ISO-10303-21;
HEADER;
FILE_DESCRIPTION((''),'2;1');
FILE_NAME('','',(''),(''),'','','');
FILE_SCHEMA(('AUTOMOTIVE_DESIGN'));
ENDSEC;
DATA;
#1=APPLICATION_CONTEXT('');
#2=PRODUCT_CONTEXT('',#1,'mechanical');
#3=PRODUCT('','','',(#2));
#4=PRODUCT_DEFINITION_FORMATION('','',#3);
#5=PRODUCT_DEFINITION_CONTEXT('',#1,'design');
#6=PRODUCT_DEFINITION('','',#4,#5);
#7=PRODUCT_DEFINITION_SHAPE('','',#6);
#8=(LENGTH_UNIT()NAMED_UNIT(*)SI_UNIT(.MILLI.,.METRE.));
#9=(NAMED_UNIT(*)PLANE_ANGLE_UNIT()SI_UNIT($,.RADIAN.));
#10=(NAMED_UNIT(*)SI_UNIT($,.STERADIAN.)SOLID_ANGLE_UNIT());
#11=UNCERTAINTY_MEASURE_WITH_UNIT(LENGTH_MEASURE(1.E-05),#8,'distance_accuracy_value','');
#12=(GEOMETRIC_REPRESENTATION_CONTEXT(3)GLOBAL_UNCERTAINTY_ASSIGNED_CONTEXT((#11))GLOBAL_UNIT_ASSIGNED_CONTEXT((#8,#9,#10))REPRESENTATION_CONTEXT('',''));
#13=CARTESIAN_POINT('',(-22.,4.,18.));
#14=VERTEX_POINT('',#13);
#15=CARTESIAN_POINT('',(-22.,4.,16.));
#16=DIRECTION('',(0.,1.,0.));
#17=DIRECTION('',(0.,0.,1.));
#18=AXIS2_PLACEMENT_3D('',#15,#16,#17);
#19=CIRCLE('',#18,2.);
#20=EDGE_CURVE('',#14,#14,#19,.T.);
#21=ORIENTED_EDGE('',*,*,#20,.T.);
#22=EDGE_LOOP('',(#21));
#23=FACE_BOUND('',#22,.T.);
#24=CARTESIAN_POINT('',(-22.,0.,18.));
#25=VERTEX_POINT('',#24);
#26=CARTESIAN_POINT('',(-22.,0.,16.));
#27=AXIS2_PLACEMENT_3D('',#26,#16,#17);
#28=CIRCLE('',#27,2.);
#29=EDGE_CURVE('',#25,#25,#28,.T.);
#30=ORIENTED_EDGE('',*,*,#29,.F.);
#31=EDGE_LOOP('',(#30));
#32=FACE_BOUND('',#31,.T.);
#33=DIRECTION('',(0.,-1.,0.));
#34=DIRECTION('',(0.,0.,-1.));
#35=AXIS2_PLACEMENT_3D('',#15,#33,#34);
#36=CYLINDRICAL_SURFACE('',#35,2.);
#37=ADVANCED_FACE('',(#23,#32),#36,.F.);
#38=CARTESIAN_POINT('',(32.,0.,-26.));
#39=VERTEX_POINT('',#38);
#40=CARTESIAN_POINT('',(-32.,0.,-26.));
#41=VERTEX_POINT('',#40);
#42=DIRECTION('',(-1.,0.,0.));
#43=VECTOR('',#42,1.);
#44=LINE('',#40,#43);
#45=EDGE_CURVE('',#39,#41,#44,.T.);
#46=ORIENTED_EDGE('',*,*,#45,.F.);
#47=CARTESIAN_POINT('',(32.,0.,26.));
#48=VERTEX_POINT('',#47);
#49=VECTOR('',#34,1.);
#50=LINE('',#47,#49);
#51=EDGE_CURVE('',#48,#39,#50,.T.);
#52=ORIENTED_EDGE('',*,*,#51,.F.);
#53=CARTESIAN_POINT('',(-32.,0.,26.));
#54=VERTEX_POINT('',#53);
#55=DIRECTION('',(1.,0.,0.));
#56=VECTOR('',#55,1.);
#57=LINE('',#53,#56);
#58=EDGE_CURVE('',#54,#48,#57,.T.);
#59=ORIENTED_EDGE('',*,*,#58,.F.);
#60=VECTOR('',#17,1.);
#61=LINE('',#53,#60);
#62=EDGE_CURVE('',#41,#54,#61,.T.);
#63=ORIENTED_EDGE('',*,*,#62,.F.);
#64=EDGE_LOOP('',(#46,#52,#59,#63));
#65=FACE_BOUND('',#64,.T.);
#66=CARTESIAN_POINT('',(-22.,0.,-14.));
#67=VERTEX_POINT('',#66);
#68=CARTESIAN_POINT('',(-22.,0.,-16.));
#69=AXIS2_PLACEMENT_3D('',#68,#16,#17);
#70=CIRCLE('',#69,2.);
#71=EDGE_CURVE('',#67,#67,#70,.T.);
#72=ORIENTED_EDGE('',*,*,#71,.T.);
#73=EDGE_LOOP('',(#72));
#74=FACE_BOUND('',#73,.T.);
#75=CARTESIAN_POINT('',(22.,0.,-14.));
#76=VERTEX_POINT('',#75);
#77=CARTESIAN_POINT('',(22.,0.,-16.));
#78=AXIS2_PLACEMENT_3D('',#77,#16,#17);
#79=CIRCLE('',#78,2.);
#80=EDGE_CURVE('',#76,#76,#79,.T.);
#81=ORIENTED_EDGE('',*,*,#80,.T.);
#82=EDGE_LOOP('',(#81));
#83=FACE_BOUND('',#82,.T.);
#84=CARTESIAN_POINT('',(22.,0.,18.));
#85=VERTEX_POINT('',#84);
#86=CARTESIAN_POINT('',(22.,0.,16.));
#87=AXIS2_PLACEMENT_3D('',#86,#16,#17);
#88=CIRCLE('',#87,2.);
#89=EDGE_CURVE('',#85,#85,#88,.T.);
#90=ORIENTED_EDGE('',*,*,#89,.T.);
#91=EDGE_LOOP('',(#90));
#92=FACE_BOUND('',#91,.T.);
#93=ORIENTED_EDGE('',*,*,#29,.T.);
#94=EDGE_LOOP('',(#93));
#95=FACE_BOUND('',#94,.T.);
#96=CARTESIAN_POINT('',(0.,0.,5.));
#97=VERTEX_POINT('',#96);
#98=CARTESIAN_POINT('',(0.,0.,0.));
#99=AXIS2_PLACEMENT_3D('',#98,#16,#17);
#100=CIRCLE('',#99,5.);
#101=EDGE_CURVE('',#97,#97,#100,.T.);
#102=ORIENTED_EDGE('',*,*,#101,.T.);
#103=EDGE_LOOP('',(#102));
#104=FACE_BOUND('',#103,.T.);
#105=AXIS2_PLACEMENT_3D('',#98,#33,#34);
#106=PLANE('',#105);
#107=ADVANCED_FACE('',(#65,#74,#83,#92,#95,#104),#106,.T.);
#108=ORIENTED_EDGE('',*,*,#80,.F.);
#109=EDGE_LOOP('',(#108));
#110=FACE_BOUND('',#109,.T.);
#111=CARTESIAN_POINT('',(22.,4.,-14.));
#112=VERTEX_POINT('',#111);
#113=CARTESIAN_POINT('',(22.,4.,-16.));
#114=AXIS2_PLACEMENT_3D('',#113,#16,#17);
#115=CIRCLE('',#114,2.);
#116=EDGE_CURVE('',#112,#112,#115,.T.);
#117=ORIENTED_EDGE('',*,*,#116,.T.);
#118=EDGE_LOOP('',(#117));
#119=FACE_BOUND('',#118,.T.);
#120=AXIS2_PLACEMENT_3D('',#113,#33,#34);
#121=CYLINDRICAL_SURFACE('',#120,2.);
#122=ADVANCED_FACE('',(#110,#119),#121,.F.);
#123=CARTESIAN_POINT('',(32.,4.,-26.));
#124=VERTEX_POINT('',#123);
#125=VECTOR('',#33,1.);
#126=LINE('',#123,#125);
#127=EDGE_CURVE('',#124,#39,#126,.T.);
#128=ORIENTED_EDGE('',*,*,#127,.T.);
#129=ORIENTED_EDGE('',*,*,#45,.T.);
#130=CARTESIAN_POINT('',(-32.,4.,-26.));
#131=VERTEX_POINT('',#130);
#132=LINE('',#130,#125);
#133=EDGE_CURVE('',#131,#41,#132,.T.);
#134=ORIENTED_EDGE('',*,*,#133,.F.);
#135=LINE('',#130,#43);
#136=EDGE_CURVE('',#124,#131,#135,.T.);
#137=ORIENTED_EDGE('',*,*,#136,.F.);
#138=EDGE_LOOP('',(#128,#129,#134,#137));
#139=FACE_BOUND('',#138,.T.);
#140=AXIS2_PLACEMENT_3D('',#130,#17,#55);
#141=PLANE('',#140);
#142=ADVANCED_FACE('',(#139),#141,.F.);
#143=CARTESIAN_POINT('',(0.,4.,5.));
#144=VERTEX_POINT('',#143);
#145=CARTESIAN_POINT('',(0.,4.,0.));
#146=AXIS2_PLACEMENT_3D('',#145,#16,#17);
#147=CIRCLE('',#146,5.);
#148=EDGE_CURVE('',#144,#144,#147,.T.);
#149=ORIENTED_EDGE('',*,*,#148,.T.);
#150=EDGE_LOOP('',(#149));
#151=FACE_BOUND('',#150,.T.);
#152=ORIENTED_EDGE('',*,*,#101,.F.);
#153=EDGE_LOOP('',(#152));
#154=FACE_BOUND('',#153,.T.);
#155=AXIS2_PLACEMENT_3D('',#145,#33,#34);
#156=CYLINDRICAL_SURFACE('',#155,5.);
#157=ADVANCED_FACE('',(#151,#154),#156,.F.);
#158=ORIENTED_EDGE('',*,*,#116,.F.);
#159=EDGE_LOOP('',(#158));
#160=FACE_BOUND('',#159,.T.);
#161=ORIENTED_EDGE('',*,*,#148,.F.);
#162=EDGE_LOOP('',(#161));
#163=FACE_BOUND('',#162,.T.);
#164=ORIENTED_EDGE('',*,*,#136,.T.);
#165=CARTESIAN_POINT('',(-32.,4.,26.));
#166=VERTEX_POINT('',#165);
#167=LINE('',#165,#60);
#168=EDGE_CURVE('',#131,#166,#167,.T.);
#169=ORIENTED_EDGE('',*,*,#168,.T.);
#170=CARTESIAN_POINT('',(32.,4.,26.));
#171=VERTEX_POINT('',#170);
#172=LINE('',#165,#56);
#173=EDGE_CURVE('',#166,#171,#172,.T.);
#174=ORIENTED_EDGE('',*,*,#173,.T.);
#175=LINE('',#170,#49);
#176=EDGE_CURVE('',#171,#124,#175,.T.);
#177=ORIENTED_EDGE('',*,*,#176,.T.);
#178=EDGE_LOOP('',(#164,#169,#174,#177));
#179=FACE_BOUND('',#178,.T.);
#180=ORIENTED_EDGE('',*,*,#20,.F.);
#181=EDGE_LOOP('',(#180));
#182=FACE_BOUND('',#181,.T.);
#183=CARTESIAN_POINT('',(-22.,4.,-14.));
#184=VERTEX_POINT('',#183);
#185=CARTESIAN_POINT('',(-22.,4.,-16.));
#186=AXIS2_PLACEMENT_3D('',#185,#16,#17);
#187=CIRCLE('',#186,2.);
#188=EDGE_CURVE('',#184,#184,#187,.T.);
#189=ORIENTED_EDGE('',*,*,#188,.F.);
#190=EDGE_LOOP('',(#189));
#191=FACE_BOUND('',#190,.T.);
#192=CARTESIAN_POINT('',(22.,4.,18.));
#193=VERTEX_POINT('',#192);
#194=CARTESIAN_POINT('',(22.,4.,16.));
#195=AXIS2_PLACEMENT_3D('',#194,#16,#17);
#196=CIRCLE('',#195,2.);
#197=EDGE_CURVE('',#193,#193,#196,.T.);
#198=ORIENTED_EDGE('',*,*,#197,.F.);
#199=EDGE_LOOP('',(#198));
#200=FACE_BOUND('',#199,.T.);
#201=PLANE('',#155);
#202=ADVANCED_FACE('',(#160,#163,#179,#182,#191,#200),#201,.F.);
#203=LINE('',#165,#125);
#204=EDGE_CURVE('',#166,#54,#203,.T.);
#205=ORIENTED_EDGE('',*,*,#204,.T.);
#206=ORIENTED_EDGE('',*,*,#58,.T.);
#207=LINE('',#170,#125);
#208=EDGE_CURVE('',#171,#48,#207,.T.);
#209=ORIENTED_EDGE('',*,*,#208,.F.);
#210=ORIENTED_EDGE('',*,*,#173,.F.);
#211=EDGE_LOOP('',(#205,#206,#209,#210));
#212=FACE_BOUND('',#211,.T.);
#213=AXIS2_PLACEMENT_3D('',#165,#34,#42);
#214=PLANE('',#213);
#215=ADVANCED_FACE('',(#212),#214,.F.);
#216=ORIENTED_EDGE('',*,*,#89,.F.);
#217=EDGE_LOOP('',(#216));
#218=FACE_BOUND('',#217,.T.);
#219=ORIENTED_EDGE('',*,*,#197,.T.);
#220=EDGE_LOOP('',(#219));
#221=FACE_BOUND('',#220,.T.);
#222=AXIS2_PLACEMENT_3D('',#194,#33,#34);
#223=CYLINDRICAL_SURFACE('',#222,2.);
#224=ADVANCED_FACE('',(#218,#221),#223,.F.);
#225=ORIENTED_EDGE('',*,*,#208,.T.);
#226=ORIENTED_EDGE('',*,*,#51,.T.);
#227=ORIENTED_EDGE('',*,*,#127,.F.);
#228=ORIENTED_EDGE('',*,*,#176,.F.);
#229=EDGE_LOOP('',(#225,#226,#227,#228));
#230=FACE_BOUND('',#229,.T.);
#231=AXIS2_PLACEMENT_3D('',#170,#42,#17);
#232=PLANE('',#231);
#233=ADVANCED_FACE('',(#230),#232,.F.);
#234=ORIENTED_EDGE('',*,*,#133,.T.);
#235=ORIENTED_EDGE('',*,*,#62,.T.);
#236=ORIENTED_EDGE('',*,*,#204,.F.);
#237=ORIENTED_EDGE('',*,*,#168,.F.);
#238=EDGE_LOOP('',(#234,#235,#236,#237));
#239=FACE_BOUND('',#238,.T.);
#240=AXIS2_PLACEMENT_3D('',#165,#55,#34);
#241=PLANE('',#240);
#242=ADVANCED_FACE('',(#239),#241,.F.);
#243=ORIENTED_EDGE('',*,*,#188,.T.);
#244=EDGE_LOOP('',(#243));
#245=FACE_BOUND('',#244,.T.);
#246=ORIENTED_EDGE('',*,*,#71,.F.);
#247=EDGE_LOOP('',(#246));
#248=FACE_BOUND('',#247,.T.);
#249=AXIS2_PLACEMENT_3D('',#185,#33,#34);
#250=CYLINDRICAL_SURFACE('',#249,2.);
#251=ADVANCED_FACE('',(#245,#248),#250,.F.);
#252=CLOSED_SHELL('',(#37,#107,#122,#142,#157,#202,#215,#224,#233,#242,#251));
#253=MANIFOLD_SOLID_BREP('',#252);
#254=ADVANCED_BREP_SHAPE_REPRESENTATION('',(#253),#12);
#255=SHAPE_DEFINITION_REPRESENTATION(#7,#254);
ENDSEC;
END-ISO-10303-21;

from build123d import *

# Parameters (mm, degrees)
SKETCH1_W           = 64
SKETCH1_H           = 52
SKETCH1_R           = 5
SKETCH1_R_2         = 2
PLATE_EXTRUDE_DEPTH = 4


with BuildPart() as part:
    # Sketch1 → Plate_Extrude (new body)
    with BuildSketch(Plane(origin=(0, 0, 0), x_dir=(1, 0, 0), z_dir=(0, 1, 0))):
        Rectangle(SKETCH1_W, SKETCH1_H)
        with Locations(Location((0, 0, 0), (0, 0, 270))):
            Circle(SKETCH1_R, mode=Mode.SUBTRACT)
        with Locations(Location((-22, -16, 0), (0, 0, 270))):
            Circle(SKETCH1_R_2, mode=Mode.SUBTRACT)
        with Locations(Location((22, -16, 0), (0, 0, 270))):
            Circle(SKETCH1_R_2, mode=Mode.SUBTRACT)
        with Locations(Location((-22, 16, 0), (0, 0, 270))):
            Circle(SKETCH1_R_2, mode=Mode.SUBTRACT)
        with Locations(Location((22, 16, 0), (0, 0, 270))):
            Circle(SKETCH1_R_2, mode=Mode.SUBTRACT)
    extrude(amount=PLATE_EXTRUDE_DEPTH)


solid = part.part
